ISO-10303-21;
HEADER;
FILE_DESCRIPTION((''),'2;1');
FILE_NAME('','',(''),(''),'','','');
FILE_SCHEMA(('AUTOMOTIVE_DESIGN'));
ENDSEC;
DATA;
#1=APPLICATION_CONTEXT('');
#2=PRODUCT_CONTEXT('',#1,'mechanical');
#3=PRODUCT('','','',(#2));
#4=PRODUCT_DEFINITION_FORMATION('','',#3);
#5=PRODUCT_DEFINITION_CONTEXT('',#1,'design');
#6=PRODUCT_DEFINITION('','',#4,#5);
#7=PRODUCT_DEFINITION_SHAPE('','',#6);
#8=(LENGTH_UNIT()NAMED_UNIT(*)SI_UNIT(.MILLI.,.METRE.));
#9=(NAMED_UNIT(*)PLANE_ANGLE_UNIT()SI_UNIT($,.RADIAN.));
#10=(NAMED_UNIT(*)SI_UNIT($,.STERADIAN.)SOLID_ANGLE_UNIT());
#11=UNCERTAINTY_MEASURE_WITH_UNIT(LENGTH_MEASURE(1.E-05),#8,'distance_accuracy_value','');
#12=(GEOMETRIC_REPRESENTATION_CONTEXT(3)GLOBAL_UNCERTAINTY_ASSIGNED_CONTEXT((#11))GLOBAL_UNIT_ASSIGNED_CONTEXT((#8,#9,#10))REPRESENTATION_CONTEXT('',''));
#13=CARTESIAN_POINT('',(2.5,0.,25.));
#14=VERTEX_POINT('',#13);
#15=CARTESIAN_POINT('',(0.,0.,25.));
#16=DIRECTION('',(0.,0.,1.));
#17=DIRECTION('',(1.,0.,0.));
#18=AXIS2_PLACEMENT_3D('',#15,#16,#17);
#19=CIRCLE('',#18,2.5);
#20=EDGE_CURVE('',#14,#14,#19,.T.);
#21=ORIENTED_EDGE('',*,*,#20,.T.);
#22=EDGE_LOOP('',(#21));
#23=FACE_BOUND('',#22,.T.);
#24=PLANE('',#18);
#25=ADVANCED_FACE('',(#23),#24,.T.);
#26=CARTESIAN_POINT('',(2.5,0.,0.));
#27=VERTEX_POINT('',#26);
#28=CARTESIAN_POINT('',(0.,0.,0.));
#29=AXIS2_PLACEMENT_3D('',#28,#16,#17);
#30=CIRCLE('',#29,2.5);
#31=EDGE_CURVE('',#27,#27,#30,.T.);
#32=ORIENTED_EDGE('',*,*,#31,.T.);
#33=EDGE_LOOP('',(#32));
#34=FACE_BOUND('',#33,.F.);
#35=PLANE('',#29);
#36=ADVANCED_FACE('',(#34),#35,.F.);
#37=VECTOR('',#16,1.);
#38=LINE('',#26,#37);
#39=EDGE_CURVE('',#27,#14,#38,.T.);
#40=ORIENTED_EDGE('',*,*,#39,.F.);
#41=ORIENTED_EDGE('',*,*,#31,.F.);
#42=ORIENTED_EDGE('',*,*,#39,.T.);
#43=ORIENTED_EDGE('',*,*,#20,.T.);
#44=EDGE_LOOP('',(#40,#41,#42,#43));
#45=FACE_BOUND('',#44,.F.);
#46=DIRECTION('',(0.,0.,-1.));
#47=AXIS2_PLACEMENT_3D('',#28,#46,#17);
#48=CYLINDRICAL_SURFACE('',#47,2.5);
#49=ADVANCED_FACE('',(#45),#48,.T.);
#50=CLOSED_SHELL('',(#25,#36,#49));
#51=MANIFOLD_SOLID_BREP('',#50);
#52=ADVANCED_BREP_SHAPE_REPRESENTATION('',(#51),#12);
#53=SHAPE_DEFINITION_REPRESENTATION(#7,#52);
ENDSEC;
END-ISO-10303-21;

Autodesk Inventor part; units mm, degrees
ref_plane "YZ Plane" through (0, 0, 0) normal (1, 0, 0) x (0, 1, 0)
ref_plane "XZ Plane" through (0, 0, 0) normal (0, 1, 0) x (-1, 0, 0)
ref_plane "XY Plane" through (0, 0, 0) normal (0, 0, 1) x (1, 0, 0)
sketch "草圖1" plane through (0, 0, 0) normal (0, 0, 1) x (1, 0, 0)
  circle A0 centre (0, 0) radius 2.5
  dimension "d0" = 5
extrude "擠出1" add sketch "草圖1" along normal blind 25
properties part number "旋轉軸"
